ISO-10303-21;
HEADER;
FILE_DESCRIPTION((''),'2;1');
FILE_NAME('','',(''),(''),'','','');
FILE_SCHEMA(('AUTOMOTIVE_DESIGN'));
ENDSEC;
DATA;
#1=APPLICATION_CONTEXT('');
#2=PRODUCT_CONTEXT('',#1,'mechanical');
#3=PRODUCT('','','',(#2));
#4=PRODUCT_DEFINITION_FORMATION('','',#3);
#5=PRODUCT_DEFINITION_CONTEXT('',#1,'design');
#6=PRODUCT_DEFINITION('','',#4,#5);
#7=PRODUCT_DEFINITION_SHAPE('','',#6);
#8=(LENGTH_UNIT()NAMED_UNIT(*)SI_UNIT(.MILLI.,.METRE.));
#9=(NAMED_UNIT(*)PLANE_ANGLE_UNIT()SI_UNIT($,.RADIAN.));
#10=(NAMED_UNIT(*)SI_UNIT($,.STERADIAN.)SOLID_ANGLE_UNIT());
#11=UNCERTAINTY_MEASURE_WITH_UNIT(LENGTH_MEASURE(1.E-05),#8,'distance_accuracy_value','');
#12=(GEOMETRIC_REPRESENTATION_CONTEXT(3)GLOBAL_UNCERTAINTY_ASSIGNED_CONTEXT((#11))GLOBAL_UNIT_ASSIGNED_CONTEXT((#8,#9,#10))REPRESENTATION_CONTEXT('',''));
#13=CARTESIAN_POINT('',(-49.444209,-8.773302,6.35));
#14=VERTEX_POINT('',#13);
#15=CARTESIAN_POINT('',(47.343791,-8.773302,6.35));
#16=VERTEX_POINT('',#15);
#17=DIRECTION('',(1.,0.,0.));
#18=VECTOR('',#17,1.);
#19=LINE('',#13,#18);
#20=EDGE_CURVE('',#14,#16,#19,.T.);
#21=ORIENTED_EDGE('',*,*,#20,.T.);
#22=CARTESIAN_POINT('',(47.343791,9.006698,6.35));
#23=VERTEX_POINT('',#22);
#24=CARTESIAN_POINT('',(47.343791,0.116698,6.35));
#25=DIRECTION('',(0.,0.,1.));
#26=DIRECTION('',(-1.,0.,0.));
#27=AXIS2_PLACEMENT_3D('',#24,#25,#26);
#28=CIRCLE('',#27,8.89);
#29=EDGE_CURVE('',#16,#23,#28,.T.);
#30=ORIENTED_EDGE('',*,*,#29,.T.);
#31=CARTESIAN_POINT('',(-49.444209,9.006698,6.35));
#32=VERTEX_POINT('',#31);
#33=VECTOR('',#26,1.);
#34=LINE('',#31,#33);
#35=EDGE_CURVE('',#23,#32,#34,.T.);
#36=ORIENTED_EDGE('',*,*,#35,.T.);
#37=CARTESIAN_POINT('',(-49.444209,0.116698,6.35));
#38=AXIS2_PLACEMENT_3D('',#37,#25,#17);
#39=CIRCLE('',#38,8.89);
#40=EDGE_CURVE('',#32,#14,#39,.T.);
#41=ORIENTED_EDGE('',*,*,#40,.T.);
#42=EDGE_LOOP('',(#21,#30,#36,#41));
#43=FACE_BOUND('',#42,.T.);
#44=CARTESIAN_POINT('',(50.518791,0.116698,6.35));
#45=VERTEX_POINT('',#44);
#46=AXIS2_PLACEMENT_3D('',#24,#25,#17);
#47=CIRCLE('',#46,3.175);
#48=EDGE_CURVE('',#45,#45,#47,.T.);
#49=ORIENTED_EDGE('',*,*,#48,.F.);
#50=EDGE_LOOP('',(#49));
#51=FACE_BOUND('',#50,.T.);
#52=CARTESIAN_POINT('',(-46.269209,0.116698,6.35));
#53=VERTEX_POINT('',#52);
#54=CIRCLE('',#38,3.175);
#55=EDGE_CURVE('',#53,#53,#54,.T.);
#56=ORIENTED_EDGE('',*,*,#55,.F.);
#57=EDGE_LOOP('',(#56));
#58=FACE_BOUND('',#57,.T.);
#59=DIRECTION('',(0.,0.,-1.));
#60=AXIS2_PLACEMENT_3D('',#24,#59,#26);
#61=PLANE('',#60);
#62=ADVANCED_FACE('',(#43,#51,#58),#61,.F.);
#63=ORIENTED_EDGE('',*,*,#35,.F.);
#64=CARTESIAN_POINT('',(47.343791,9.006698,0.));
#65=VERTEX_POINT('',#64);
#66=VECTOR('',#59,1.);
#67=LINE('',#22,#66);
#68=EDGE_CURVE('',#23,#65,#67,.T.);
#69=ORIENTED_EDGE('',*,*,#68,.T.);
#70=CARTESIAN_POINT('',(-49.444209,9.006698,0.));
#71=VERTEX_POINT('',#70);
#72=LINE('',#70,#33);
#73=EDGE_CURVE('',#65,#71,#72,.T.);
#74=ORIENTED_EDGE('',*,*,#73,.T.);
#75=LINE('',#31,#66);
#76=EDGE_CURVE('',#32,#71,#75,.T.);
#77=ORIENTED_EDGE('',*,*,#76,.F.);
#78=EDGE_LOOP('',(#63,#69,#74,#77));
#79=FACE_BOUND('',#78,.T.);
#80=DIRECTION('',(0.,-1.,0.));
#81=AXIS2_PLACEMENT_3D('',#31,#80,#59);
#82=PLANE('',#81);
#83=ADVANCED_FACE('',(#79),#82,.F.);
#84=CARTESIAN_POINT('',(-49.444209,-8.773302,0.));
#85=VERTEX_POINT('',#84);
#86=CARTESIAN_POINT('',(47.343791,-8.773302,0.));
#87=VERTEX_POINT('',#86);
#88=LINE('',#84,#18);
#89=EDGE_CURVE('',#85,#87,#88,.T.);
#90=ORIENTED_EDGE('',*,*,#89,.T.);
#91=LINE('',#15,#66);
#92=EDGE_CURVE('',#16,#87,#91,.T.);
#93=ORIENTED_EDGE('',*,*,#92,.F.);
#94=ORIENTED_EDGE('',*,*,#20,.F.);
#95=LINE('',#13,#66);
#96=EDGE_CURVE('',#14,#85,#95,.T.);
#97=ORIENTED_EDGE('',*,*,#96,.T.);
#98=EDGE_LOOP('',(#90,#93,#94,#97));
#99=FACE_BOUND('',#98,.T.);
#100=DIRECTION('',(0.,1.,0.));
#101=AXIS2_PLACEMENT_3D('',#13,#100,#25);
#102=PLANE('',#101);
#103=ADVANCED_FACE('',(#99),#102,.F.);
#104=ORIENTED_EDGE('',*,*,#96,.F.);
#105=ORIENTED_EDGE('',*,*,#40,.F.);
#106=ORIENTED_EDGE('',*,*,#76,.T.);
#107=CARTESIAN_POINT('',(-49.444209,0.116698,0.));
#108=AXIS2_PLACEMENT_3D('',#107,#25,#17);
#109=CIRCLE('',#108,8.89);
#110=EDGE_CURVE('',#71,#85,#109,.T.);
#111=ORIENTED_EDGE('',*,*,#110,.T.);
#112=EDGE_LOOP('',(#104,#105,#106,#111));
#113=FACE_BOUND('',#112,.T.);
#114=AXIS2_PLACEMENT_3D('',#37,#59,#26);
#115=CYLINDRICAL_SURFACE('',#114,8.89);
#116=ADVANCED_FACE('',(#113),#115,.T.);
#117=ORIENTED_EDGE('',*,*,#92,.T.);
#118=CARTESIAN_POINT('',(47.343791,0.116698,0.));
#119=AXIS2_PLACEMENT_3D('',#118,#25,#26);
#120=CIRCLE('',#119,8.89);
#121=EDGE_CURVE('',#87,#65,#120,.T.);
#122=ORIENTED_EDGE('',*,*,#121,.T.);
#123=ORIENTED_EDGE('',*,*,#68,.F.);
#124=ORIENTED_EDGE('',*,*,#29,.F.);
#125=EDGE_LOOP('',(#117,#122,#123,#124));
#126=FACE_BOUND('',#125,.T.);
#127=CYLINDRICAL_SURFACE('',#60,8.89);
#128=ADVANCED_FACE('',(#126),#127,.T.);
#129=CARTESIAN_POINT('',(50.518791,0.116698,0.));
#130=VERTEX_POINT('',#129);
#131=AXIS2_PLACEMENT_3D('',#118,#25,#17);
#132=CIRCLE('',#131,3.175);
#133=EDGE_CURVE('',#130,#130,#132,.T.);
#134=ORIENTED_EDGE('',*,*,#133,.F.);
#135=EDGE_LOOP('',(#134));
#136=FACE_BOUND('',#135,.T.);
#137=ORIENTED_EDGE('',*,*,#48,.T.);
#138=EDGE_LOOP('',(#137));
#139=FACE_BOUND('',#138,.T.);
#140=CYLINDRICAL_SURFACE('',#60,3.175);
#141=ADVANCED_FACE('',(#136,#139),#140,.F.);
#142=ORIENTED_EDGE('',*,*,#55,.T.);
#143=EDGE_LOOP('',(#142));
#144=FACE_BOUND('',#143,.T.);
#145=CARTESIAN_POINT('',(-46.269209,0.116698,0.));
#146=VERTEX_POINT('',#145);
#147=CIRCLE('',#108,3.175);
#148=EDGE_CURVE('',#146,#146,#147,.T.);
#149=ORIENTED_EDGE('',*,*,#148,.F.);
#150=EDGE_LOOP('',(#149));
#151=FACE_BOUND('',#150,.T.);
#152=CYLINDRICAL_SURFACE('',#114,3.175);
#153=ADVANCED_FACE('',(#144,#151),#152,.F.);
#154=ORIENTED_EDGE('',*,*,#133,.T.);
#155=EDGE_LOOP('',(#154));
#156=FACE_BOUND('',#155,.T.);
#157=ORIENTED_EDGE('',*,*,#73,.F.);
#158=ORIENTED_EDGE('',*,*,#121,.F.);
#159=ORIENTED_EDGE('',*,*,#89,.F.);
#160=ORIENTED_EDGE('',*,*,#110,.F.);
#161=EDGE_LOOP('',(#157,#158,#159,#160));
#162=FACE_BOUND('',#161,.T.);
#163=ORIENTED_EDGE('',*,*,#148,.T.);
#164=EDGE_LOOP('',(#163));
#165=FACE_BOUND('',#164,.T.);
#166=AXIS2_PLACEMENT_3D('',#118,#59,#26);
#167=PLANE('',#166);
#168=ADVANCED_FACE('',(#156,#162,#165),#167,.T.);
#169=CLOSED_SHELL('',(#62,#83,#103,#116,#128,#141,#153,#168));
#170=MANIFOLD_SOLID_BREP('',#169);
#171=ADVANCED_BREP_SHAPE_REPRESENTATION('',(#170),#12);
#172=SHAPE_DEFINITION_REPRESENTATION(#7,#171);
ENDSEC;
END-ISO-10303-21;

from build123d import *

# Parameters (mm, degrees)
SKETCH1_R           = 3.175
BOSS_EXTRUDE1_DEPTH = 6.35


with BuildPart() as part:
    # Sketch1 → Boss-Extrude1 (new body)
    with BuildSketch(Plane.XY):
        with BuildLine():
            Line((-49.444208902, -8.773302225), (47.343791098, -8.773302225))
            ThreePointArc((47.343791098, -8.773302225), (56.233791098, 0.116697775), (47.343791098, 9.006697775))
            Line((47.343791098, 9.006697775), (-49.444208902, 9.006697775))
            ThreePointArc((-49.444208902, 9.006697775), (-58.334208902, 0.116697775), (-49.444208902, -8.773302225))
        make_face()
        with Locations((-49.444208902, 0.116697775)):
            Circle(SKETCH1_R, mode=Mode.SUBTRACT)
        with Locations((47.343791098, 0.116697775)):
            Circle(SKETCH1_R, mode=Mode.SUBTRACT)
    extrude(amount=BOSS_EXTRUDE1_DEPTH)


solid = part.part
